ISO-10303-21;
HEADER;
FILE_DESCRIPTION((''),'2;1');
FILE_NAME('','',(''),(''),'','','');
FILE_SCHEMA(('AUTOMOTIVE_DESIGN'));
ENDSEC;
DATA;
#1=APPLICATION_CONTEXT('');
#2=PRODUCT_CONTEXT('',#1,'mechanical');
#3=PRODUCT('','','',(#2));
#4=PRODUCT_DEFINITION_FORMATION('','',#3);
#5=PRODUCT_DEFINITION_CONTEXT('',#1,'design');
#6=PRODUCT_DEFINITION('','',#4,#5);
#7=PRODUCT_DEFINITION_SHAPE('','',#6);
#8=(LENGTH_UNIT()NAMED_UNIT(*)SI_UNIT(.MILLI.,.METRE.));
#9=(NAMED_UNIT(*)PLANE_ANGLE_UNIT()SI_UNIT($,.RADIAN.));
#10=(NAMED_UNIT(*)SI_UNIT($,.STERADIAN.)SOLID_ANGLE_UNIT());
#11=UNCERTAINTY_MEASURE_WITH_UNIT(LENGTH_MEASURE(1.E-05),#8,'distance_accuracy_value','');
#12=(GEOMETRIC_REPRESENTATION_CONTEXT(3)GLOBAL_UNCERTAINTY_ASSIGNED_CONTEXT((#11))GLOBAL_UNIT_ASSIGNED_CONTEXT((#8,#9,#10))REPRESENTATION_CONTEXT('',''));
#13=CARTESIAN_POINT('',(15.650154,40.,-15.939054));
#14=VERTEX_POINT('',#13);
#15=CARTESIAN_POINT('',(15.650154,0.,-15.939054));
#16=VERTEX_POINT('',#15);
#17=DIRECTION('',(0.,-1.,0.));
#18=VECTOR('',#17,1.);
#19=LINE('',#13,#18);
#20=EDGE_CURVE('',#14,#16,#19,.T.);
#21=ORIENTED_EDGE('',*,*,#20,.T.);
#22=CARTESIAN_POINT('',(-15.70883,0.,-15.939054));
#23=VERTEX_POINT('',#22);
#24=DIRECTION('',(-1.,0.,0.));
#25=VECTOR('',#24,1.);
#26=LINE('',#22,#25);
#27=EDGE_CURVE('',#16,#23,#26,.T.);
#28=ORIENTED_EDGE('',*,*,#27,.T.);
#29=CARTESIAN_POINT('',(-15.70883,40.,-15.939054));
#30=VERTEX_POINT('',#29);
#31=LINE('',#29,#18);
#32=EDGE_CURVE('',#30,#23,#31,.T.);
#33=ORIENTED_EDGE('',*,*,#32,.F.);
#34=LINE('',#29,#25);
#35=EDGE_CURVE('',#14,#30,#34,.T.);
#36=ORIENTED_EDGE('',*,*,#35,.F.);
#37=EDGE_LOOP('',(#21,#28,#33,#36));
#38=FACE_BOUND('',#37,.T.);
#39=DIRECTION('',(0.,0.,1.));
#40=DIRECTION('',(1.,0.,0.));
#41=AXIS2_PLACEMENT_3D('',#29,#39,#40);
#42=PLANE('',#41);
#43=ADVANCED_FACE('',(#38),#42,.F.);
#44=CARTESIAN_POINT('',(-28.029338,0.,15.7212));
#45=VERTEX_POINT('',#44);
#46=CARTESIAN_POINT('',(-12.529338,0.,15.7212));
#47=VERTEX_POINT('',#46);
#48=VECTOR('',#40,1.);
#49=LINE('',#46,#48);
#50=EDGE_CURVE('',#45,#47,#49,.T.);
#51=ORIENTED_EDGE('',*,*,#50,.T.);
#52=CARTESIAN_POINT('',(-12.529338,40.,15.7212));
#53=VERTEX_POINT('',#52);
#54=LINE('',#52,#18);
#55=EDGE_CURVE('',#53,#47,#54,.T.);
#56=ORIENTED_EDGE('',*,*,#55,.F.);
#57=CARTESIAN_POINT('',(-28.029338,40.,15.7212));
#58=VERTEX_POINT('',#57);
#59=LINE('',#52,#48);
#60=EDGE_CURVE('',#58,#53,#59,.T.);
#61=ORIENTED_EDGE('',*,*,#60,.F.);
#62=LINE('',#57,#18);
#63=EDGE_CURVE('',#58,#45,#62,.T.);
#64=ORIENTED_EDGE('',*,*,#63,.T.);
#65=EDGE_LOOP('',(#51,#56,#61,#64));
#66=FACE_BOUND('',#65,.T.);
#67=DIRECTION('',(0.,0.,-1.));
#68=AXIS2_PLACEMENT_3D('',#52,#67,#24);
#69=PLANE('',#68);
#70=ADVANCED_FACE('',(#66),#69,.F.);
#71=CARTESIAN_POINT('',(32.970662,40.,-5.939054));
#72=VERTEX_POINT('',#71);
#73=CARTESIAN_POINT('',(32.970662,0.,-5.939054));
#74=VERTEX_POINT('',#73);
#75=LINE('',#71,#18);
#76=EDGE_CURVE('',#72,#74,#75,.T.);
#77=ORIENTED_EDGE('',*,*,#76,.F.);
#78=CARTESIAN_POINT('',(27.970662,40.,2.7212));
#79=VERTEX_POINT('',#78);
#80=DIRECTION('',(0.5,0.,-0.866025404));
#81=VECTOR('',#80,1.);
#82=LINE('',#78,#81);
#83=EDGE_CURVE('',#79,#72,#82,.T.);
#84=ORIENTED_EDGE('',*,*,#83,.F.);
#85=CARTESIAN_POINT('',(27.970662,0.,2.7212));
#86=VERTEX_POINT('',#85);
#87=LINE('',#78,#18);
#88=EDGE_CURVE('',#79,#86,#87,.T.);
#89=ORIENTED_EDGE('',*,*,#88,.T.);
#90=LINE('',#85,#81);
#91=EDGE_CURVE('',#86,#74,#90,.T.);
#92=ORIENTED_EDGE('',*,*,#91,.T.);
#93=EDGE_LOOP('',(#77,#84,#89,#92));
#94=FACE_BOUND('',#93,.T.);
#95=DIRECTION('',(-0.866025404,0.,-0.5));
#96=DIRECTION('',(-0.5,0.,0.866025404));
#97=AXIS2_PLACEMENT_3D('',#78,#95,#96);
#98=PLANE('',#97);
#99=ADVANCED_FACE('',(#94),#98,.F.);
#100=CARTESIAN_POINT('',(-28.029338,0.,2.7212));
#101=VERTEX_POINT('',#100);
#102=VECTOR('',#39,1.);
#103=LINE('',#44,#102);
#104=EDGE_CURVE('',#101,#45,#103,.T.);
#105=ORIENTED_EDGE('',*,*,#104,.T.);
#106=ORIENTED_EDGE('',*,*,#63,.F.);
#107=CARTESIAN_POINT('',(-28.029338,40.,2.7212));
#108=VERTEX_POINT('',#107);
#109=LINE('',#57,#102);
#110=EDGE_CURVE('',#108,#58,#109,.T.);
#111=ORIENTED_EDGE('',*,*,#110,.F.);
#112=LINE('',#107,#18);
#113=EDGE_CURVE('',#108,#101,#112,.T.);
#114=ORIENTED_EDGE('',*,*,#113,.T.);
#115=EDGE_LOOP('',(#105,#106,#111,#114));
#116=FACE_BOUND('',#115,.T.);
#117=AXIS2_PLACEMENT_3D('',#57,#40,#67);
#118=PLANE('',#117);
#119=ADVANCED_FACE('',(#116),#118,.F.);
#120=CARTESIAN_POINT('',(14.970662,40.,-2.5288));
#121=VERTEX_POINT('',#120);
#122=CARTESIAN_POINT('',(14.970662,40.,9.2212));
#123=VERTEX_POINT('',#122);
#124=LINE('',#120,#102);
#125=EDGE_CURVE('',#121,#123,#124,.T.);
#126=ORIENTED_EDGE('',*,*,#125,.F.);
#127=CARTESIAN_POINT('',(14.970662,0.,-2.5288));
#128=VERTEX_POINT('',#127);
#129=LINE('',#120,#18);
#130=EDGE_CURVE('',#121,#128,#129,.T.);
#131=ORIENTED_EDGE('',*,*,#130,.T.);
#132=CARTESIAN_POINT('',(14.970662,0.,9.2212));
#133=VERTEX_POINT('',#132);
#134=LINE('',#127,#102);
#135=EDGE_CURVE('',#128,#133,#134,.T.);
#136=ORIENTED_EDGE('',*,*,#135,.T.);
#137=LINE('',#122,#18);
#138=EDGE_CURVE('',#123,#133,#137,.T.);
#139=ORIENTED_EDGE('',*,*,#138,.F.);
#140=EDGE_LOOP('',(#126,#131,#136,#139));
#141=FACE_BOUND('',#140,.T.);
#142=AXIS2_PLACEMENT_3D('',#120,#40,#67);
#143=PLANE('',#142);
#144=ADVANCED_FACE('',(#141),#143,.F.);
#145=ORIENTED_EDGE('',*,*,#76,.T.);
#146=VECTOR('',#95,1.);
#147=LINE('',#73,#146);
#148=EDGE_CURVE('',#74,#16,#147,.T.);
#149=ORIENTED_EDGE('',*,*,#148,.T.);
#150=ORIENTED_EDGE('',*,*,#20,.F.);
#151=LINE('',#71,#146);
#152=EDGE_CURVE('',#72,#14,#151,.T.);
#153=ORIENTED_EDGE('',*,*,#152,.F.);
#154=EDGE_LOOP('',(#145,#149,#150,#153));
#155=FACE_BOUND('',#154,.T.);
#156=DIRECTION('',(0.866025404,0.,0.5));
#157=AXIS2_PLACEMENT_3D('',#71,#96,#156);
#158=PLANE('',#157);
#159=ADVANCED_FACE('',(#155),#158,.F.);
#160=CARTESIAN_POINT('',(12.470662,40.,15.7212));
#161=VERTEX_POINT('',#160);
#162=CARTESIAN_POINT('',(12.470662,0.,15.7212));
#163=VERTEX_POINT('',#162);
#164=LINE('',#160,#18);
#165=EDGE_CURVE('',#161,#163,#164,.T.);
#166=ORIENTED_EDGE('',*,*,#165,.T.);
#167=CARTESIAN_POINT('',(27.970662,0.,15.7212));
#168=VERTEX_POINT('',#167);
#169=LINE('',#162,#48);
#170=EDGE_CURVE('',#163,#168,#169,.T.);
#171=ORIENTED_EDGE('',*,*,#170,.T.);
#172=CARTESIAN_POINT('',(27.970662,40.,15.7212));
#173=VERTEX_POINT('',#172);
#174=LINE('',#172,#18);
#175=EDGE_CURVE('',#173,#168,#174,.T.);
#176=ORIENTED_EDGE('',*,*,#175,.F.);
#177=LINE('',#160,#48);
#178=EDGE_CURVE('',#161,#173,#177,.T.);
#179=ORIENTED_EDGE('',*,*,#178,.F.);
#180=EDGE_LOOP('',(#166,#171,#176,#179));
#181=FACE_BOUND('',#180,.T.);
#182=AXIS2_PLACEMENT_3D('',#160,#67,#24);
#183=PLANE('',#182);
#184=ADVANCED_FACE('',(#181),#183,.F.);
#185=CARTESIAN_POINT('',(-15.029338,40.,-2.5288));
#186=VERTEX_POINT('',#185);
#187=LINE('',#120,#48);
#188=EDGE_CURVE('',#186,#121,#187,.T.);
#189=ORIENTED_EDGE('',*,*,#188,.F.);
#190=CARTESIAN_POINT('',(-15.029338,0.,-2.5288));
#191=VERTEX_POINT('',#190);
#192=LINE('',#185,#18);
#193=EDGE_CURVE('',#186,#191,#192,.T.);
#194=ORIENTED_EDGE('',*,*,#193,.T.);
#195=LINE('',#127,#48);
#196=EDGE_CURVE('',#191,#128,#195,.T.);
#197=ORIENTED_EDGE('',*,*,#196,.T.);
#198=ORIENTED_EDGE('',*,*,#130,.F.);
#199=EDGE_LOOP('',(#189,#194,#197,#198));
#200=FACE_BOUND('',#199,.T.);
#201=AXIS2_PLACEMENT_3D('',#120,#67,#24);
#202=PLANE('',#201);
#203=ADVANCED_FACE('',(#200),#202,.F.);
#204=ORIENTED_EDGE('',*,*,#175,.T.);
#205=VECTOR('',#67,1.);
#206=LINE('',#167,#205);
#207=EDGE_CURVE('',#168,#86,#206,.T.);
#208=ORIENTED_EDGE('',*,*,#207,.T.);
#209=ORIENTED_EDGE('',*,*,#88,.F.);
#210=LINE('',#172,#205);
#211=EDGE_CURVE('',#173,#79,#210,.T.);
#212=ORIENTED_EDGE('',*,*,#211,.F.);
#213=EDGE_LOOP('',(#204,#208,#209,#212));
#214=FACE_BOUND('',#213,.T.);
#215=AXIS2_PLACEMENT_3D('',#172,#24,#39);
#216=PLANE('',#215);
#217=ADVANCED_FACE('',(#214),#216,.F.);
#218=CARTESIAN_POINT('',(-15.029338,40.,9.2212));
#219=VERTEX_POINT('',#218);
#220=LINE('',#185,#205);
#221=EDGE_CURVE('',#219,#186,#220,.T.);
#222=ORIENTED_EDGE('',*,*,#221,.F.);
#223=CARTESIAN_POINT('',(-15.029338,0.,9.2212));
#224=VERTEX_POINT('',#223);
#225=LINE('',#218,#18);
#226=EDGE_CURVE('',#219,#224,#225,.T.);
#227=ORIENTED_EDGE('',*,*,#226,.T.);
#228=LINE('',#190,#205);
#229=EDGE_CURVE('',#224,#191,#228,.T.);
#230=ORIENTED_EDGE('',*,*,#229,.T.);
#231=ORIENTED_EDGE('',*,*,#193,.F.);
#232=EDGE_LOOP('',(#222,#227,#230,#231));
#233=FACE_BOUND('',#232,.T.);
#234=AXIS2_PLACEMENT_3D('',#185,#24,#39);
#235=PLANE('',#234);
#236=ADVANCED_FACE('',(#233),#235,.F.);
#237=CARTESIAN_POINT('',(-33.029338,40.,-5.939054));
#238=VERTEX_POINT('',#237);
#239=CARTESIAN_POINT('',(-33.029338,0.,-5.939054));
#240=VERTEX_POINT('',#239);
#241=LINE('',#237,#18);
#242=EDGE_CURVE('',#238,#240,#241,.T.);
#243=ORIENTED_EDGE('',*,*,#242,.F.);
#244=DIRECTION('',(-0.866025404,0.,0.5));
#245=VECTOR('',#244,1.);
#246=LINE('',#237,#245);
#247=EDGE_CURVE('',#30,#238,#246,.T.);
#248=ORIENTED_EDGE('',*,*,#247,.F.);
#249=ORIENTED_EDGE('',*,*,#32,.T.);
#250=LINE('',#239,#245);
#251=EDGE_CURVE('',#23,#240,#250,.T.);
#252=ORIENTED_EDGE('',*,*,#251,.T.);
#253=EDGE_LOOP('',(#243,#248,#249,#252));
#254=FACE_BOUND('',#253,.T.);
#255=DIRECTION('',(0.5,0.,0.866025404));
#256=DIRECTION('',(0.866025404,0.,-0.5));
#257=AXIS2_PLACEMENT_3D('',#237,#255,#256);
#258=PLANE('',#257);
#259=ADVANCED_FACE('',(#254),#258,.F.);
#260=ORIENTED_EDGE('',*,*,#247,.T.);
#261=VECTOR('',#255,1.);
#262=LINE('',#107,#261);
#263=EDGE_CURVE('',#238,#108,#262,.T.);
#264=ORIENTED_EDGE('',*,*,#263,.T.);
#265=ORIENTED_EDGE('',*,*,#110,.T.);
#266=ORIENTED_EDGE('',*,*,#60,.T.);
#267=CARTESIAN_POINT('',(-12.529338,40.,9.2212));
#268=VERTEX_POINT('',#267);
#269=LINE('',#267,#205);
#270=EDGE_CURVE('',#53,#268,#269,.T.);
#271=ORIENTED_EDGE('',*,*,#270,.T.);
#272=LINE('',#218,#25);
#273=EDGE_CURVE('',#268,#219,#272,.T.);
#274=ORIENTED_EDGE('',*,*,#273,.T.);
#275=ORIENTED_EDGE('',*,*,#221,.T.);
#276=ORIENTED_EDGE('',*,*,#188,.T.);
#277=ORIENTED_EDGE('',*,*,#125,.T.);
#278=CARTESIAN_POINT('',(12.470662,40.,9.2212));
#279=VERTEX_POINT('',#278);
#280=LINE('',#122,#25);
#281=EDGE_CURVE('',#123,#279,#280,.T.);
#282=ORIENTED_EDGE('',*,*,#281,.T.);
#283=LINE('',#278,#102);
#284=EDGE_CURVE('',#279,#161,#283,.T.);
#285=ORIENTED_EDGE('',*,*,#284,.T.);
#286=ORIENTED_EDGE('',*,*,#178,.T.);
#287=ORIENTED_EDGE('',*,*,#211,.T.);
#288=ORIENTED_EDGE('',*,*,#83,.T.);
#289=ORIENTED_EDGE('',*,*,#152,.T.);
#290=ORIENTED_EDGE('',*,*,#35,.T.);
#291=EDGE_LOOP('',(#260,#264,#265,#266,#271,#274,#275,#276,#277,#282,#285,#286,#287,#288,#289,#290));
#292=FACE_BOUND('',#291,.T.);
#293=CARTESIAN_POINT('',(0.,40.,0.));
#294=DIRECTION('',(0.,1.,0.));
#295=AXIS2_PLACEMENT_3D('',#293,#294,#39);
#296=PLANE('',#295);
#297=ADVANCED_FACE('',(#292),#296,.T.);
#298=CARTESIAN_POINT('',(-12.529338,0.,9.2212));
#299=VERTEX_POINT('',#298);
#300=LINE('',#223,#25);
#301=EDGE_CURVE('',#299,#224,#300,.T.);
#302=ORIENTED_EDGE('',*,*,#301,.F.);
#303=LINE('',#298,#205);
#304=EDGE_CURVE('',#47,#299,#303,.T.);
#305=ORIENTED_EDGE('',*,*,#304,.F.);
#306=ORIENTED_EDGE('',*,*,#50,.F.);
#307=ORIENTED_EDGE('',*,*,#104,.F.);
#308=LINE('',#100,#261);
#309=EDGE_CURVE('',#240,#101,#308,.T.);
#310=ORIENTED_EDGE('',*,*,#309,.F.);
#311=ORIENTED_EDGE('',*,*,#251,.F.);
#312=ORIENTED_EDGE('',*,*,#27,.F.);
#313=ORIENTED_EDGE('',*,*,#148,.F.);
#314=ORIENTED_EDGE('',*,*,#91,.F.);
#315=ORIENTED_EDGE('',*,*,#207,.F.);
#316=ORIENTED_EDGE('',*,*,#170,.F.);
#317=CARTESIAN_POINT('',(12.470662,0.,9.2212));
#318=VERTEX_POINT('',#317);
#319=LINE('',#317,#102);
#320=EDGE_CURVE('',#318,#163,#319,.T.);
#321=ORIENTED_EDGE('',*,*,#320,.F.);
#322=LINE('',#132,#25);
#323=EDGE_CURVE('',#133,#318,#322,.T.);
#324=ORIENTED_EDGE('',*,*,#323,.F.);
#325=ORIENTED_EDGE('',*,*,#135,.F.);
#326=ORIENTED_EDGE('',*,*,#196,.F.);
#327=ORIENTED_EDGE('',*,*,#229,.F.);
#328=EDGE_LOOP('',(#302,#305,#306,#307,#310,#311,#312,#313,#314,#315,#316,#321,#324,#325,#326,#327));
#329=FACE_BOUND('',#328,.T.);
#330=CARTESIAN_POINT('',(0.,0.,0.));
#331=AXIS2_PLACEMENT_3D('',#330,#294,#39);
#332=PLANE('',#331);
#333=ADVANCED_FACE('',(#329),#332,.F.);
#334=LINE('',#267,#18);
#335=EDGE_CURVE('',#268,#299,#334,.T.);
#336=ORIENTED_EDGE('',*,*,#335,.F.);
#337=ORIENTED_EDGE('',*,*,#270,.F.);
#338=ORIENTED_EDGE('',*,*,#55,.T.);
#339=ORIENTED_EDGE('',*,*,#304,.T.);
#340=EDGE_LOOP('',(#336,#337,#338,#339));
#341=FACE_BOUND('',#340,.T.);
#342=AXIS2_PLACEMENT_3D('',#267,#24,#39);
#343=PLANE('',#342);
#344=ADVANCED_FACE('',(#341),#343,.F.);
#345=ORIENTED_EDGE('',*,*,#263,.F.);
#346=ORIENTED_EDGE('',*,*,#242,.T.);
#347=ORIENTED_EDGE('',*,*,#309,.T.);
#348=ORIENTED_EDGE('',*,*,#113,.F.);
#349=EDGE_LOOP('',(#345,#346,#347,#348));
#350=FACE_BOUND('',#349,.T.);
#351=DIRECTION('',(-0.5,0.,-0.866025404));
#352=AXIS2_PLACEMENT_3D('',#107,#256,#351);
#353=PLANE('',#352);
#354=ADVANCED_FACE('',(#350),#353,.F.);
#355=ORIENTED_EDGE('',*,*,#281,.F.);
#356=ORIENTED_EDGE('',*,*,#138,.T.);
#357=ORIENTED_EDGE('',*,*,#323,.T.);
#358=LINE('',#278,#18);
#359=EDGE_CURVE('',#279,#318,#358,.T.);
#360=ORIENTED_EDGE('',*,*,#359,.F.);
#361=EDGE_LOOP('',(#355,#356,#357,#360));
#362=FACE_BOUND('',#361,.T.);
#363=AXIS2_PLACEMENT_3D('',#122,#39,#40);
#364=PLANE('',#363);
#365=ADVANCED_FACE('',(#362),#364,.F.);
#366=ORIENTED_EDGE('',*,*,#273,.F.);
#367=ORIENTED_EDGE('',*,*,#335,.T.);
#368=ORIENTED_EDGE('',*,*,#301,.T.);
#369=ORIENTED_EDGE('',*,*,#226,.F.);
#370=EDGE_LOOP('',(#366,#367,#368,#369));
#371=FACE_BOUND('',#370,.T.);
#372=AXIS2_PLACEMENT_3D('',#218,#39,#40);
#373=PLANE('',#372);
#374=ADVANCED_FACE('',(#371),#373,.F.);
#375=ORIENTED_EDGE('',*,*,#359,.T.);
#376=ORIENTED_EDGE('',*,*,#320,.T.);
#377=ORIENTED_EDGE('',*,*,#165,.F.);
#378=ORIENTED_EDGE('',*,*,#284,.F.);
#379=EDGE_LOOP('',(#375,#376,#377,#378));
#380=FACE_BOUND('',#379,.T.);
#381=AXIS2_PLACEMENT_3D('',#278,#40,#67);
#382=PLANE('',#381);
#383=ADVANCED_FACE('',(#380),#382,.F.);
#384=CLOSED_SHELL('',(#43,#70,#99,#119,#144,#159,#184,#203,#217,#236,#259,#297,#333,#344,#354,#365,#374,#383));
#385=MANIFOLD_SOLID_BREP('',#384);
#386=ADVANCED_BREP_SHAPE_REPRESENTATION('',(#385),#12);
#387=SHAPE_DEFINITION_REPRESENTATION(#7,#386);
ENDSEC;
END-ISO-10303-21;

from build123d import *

# Parameters (mm, degrees)
EXTRUDE_1_DEPTH = 40


with BuildPart() as part:
    # 草圖2 → 填料-伸長1 (new body)
    with BuildSketch(Plane(origin=(0, 0, 0), x_dir=(1, 0, 0), z_dir=(0, 1, 0))):
        Polygon((-15.029337856, -9.221199976), (-12.529337856, -9.221199976), (-12.529337856, -15.721199976), (-28.029337856, -15.721199976), (-28.029337856, -2.721199976), (-33.029337856, 5.939054062), (-15.70882978, 15.939054062), (15.650154068, 15.939054062), (32.970662144, 5.939054062), (27.970662144, -2.721199976), (27.970662144, -15.721199976), (12.470662144, -15.721199976), (12.470662144, -9.221199976), (14.970662144, -9.221199976), (14.970662144, 2.528800024), (-15.029337856, 2.528800024), align=None)
    extrude(amount=EXTRUDE_1_DEPTH)


solid = part.part
